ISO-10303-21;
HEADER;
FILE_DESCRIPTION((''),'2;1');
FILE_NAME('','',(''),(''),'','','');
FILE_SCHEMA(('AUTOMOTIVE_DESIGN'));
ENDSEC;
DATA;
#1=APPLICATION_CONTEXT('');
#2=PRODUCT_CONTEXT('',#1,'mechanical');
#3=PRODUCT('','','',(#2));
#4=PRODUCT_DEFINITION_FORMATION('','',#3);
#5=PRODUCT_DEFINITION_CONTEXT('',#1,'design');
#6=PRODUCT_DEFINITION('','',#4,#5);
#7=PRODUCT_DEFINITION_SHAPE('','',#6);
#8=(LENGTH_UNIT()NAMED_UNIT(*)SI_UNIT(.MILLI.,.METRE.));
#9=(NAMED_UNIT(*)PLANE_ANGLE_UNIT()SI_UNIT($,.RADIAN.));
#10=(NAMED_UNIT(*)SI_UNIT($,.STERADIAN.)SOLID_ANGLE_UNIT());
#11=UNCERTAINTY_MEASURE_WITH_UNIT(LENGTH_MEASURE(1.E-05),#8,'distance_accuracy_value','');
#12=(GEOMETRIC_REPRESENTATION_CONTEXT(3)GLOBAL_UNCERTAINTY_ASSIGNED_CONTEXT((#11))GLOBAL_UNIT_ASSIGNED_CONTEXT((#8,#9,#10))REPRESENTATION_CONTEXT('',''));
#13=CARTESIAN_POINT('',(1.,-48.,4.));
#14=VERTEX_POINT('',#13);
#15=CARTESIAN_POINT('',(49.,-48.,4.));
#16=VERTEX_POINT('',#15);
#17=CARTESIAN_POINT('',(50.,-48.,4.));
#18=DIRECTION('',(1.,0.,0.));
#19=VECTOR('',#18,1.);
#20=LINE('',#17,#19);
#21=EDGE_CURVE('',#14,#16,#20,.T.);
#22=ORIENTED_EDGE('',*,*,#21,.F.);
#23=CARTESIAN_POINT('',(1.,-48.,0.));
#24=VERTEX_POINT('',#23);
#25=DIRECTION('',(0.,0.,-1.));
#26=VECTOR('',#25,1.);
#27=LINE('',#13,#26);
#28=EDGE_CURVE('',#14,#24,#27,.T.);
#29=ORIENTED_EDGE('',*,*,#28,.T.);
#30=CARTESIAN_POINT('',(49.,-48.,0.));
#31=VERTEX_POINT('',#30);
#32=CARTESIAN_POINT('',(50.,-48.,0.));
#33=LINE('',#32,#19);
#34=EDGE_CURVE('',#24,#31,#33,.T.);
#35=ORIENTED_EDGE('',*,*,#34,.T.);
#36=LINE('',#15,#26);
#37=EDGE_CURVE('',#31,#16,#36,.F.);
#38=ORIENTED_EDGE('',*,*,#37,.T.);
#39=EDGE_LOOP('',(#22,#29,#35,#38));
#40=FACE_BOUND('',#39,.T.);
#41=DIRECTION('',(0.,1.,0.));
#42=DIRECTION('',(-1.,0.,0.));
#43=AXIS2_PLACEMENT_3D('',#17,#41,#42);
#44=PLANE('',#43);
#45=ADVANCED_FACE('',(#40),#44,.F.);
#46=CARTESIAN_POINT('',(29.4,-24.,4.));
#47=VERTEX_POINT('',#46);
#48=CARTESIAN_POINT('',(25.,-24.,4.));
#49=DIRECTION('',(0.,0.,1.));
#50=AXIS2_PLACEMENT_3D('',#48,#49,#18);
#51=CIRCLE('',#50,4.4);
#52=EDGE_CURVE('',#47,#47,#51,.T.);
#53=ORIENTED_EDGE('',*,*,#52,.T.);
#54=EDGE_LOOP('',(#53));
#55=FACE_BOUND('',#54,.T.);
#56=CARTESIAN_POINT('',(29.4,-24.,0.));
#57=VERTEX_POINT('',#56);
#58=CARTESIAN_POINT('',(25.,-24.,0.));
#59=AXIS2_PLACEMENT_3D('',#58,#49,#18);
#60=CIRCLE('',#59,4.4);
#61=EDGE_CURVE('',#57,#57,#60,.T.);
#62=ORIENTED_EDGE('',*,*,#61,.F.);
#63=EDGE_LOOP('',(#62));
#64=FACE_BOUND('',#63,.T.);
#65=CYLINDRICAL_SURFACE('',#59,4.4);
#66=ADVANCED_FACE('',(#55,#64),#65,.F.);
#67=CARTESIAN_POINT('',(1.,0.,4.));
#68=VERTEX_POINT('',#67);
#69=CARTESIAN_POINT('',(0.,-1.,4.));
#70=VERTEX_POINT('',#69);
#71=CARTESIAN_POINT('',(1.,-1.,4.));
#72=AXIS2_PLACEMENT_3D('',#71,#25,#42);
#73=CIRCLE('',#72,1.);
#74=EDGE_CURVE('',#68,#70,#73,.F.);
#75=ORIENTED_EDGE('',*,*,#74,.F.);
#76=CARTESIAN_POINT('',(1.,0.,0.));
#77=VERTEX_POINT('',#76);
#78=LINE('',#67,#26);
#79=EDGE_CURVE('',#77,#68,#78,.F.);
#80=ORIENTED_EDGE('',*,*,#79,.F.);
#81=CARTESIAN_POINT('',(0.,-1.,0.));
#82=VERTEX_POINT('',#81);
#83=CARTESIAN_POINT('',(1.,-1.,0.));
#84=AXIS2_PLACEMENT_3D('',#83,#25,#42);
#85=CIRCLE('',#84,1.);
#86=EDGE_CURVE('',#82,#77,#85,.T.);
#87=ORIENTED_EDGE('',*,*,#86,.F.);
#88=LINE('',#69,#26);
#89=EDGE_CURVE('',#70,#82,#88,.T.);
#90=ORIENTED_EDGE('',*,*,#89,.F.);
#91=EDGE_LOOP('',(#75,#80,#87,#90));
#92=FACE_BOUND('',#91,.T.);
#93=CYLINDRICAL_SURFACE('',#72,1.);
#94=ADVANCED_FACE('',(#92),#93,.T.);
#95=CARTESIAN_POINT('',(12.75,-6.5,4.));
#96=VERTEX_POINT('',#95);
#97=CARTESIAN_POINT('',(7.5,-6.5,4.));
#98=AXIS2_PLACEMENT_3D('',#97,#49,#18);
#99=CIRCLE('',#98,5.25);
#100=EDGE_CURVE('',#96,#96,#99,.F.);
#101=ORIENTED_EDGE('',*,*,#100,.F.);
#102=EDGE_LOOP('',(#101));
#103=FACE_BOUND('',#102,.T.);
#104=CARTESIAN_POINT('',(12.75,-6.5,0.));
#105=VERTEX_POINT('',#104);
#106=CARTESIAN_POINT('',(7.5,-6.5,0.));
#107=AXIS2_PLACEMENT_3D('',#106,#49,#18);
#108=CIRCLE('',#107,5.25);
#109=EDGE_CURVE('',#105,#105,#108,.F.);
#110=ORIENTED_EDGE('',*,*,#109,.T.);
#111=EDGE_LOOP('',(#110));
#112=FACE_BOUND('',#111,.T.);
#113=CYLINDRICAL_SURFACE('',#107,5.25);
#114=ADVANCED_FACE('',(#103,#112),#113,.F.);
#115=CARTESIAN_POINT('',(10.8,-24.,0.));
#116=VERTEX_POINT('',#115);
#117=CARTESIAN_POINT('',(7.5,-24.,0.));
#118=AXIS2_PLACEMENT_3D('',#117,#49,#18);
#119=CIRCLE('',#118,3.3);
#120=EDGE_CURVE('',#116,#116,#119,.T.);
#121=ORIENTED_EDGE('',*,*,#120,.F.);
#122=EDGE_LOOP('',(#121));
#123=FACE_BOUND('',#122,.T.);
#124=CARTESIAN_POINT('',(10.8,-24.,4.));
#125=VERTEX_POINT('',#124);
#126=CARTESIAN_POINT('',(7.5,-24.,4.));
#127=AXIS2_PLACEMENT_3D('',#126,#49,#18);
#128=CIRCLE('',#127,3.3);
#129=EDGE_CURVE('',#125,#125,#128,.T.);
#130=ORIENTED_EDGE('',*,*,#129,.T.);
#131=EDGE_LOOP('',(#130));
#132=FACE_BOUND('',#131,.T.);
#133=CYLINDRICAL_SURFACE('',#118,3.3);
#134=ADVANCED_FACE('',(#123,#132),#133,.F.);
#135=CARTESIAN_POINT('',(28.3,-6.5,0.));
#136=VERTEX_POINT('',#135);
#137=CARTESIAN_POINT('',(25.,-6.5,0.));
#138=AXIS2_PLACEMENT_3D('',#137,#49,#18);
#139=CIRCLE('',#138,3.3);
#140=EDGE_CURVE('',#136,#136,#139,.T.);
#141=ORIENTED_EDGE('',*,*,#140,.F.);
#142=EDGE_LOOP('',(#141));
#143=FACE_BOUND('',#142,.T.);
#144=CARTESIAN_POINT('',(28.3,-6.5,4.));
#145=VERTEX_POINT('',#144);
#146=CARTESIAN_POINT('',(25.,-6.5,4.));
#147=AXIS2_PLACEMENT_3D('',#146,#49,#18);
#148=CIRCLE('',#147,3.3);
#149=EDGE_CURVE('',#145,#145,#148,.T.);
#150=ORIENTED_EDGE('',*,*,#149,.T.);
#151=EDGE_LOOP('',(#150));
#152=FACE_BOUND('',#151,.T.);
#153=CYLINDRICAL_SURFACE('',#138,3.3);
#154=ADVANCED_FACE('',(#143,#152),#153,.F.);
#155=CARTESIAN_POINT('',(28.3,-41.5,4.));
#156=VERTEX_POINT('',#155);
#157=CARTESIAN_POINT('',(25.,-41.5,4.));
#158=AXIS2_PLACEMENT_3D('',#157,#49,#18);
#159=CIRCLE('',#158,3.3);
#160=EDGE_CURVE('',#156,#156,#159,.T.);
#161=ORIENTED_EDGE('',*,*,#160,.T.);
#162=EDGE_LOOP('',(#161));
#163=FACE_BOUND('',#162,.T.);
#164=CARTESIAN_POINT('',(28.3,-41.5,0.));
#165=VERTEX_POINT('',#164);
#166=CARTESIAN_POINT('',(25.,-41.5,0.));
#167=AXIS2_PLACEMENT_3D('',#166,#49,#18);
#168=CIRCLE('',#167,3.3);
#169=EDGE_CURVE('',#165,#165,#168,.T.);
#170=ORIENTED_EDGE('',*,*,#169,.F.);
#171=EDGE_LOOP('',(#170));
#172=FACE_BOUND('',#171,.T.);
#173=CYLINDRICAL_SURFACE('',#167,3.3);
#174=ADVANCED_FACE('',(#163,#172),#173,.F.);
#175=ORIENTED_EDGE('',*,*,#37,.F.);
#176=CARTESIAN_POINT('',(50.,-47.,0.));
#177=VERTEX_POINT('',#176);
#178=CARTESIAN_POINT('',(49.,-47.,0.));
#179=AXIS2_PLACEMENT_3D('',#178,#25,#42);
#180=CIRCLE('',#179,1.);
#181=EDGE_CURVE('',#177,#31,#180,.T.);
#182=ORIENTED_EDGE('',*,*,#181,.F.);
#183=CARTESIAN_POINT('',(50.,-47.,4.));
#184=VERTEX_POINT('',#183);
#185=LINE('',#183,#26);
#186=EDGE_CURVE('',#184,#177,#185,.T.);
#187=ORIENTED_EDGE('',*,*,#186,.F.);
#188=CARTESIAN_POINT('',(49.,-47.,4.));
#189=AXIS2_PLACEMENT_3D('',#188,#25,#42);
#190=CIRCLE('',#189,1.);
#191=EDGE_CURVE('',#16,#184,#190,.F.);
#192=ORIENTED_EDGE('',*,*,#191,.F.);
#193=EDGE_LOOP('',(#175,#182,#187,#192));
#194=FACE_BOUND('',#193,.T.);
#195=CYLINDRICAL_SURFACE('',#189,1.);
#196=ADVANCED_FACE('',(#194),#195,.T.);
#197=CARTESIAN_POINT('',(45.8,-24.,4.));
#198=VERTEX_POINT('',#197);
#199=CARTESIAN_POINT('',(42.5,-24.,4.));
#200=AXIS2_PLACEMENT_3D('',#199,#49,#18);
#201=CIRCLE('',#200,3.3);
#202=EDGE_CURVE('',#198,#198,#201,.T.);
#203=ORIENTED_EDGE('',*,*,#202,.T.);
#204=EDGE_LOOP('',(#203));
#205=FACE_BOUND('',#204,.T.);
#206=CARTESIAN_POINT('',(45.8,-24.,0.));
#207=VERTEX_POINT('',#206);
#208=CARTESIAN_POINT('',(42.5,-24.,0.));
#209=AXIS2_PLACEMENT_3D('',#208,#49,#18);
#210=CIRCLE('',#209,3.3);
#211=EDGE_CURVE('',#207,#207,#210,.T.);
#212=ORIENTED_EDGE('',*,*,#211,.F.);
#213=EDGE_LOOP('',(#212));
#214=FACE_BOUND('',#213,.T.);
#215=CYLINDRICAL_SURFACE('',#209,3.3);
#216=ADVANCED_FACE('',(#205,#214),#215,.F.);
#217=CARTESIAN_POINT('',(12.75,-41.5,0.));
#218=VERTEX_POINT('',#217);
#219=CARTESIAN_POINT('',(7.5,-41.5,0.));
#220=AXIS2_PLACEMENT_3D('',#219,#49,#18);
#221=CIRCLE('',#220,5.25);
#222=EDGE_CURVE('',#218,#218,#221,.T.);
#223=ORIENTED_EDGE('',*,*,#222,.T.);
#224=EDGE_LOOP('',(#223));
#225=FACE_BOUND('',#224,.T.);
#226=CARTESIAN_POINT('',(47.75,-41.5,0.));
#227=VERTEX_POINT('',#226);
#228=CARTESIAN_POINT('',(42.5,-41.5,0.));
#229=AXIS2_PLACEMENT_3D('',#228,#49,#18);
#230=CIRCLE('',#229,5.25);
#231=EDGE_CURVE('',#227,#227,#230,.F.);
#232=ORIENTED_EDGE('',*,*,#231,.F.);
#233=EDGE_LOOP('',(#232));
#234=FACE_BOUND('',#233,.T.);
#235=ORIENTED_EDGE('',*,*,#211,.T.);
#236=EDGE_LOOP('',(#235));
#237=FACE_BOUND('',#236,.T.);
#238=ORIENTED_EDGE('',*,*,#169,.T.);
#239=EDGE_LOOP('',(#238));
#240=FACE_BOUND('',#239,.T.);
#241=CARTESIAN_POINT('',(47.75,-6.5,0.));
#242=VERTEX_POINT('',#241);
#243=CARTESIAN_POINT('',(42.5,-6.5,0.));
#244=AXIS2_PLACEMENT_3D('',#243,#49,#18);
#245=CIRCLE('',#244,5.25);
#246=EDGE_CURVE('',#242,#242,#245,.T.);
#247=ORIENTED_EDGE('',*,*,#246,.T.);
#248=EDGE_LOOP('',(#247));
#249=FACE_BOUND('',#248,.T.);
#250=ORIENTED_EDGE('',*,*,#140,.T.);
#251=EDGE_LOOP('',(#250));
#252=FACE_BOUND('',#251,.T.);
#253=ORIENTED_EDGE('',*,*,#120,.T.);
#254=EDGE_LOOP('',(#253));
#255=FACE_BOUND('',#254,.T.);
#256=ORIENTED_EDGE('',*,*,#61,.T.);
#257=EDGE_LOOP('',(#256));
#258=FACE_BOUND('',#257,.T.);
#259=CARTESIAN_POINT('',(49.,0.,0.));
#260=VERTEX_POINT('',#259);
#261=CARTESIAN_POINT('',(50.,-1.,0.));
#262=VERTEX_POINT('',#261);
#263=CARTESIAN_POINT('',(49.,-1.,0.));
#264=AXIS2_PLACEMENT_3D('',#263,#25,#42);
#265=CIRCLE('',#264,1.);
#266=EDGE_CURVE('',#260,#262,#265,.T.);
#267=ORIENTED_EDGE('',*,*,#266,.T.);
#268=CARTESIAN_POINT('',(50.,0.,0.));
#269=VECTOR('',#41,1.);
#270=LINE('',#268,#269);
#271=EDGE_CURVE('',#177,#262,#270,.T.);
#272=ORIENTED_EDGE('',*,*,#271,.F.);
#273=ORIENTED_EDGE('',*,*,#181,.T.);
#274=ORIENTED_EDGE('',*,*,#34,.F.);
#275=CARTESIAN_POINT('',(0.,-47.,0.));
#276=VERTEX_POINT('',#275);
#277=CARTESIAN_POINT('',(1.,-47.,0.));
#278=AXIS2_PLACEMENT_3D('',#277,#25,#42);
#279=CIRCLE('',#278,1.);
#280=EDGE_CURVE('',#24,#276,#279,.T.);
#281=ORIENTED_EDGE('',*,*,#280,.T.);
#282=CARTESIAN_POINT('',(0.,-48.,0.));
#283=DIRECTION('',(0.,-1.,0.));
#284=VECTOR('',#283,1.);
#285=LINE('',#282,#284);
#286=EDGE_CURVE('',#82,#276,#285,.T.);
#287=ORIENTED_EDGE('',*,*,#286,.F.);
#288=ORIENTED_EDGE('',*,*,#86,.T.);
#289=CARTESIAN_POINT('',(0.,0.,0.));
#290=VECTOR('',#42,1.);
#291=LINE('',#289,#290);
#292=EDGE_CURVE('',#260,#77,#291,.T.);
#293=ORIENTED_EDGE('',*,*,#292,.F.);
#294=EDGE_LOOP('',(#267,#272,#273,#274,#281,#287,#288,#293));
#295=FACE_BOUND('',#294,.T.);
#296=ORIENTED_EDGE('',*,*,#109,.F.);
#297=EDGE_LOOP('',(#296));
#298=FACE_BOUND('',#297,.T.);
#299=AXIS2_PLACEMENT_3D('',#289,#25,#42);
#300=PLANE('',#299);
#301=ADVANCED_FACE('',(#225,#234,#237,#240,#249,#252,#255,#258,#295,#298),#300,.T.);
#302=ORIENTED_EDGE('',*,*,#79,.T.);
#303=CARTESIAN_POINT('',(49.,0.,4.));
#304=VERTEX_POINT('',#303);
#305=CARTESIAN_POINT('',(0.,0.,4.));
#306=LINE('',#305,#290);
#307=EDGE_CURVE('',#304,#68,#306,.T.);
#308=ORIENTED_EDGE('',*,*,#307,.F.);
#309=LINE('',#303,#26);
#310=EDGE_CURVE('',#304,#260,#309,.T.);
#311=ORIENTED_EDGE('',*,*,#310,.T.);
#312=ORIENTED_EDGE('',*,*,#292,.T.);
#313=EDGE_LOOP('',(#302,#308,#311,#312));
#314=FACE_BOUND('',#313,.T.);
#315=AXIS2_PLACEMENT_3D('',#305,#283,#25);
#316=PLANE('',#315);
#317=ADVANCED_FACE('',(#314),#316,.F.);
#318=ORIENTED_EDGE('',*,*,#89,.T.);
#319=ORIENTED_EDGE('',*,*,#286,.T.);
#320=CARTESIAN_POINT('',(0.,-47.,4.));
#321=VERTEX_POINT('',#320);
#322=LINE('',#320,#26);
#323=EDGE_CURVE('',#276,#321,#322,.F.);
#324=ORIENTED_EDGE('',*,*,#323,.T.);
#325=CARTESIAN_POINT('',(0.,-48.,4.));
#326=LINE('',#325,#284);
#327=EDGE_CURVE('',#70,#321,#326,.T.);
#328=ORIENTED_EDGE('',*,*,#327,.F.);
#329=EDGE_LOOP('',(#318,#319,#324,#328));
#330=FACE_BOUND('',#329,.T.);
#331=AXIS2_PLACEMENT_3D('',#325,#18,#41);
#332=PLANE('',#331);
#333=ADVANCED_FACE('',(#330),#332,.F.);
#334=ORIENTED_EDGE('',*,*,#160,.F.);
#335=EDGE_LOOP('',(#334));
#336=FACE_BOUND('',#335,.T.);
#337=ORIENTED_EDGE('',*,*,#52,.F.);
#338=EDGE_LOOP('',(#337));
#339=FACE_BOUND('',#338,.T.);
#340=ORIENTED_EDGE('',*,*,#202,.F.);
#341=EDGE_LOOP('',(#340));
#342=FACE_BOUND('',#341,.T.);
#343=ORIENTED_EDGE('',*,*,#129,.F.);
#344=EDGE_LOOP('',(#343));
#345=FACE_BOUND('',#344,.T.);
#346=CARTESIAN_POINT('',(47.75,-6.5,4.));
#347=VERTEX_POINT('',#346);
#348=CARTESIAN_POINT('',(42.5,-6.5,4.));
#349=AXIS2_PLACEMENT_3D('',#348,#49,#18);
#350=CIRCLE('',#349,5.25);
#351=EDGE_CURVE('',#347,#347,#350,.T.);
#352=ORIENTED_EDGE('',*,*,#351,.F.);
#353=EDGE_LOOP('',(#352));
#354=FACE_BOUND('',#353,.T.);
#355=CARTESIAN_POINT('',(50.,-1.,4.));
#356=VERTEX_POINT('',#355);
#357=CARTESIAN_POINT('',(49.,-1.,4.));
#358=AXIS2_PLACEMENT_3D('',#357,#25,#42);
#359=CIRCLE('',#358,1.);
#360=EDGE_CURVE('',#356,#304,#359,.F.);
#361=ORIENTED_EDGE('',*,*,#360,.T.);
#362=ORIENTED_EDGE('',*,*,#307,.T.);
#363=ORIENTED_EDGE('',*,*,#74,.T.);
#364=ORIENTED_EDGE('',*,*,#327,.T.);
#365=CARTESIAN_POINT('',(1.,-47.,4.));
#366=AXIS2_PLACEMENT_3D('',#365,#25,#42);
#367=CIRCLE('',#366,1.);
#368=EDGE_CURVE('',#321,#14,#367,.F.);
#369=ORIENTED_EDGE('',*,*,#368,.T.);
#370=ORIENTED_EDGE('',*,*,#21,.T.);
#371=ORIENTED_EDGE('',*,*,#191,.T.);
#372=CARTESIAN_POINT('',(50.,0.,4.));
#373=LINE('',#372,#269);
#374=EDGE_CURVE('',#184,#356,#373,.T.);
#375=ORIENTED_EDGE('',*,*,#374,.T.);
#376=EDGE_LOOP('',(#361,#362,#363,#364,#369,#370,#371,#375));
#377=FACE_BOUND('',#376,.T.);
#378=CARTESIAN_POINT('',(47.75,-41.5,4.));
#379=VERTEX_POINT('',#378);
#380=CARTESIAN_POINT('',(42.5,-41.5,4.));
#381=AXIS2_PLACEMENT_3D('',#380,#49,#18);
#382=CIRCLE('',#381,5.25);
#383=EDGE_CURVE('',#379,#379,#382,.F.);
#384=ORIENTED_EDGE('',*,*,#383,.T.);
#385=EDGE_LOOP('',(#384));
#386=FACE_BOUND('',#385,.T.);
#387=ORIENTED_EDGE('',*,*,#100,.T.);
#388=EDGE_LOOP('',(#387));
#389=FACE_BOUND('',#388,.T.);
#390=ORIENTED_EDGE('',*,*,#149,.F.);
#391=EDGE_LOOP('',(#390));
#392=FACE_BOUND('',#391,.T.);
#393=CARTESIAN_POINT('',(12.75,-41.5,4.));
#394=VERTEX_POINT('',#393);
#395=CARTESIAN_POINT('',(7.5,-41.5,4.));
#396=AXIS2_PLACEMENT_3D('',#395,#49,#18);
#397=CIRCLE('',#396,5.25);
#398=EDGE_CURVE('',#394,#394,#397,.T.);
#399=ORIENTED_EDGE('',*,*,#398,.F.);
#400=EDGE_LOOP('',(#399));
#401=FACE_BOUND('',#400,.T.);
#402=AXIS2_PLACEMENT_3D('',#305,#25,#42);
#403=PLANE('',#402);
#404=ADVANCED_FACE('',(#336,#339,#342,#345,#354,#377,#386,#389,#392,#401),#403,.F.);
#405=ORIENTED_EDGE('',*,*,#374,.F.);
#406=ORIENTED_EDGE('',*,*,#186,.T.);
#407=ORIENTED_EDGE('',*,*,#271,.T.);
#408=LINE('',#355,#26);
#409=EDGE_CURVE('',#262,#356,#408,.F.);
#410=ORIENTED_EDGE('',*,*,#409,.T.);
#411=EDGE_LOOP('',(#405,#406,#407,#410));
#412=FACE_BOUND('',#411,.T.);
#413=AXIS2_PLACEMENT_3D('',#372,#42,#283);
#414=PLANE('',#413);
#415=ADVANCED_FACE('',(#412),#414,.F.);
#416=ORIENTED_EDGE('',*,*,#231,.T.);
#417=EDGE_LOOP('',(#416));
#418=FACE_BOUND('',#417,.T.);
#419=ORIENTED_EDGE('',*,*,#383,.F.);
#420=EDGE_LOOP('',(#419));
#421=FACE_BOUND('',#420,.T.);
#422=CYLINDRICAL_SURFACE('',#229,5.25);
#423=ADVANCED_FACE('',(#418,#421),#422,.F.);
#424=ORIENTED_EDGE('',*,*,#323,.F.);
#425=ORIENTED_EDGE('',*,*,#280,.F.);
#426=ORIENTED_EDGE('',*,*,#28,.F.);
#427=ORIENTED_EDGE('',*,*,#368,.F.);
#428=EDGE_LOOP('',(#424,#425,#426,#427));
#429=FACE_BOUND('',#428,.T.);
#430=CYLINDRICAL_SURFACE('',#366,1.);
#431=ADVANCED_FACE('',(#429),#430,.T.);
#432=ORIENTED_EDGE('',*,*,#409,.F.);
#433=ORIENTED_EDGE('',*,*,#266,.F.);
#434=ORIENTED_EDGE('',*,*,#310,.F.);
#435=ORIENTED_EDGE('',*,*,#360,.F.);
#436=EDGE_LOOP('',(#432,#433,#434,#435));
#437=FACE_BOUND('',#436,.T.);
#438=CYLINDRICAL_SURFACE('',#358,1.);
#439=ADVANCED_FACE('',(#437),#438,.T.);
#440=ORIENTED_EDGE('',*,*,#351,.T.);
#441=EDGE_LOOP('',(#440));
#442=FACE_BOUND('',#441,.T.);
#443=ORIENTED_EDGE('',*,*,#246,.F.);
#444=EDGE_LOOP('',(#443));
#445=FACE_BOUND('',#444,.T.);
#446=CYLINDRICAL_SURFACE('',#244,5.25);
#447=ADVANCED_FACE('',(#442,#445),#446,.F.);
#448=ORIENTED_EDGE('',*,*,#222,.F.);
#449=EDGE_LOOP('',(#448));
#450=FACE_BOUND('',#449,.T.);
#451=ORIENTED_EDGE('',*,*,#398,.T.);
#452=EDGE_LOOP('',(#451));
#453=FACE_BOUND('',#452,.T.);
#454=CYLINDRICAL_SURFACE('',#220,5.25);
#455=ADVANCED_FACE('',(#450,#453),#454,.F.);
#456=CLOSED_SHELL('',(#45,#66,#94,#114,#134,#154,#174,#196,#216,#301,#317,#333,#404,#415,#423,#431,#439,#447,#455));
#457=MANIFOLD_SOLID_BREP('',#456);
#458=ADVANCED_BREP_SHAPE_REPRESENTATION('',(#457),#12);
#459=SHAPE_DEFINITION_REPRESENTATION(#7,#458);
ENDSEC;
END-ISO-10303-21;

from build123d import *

# Parameters (mm, degrees)
SKETCH_1_W          = 50
SKETCH_1_H          = 48
EXTRUDE_1_DEPTH     = 4
FILLET_1_R          = 1
SKETCH_2_R          = 5.25
CUT_EXTRUDE_1_DEPTH = 70.426219831
CUT_EXTRUDE_2_DEPTH = 70.426219831


with BuildPart() as part:
    # 草图1 → 凸台-拉伸1 (new body)
    with BuildSketch(Plane.XY):
        with Locations((25, -24)):
            Rectangle(SKETCH_1_W, SKETCH_1_H)
    extrude(amount=EXTRUDE_1_DEPTH)

    # 圆角1
    fillet_1_edges = [part.edges().sort_by_distance(p)[0] for p in [
        (0, 0, 2),
        (50, 0, 2),
        (50, -48, 2),
        (0, -48, 2),
    ]]
    fillet(fillet_1_edges, radius=FILLET_1_R)

    # 草图2 → 切除-拉伸1 (cut, through all)
    with BuildSketch(Plane.XY.offset(4)):
        with Locations((7.5, -6.5)):
            Circle(SKETCH_2_R)
        with Locations((42.5, -6.5)):
            Circle(SKETCH_2_R)
        with Locations((42.5, -41.5)):
            Circle(SKETCH_2_R)
        with Locations((7.5, -41.5)):
            Circle(SKETCH_2_R)
        with BuildLine():
            Line((25, -24), (29.4, -24))
            ThreePointArc((29.4, -24), (28.111269837, -20.888730163), (25, -19.6))
            Line((25, -19.6), (25, -24))
        make_face()
        with BuildLine():
            Line((20.6, -24), (25, -24))
            Line((25, -24), (25, -19.6))
            ThreePointArc((25, -19.6), (21.888730163, -20.888730163), (20.6, -24))
        make_face()
        with BuildLine():
            ThreePointArc((25, -28.4), (28.111269837, -27.111269837), (29.4, -24))
            Line((29.4, -24), (25, -24))
            Line((25, -24), (25, -28.4))
        make_face()
        with BuildLine():
            Line((25, -28.4), (25, -24))
            Line((25, -24), (20.6, -24))
            ThreePointArc((20.6, -24), (21.888730163, -27.111269837), (25, -28.4))
        make_face()
    extrude(amount=-CUT_EXTRUDE_1_DEPTH, mode=Mode.SUBTRACT)

    # 草图9 → 切除-拉伸2 (cut, through all)
    with BuildSketch(Plane.XY.offset(4)):
        with BuildLine():
            ThreePointArc((4.2, -24), (7.5, -27.3), (10.8, -24))
            Line((10.8, -24), (4.2, -24))
        make_face()
        with BuildLine():
            Line((4.2, -24), (10.8, -24))
            ThreePointArc((10.8, -24), (7.5, -20.7), (4.2, -24))
        make_face()
        with BuildLine():
            ThreePointArc((39.2, -24), (42.5, -27.3), (45.8, -24))
            Line((45.8, -24), (39.2, -24))
        make_face()
        with BuildLine():
            Line((39.2, -24), (45.8, -24))
            ThreePointArc((45.8, -24), (42.5, -20.7), (39.2, -24))
        make_face()
        with BuildLine():
            ThreePointArc((25, -3.2), (21.7, -6.5), (25, -9.8))
            Line((25, -9.8), (25, -3.2))
        make_face()
        with BuildLine():
            Line((25, -3.2), (25, -9.8))
            ThreePointArc((25, -9.8), (27.333452378, -8.833452378), (28.3, -6.5))
            ThreePointArc((28.3, -6.5), (27.333452378, -4.166547622), (25, -3.2))
        make_face()
        with BuildLine():
            ThreePointArc((28.3, -41.5), (27.333452378, -39.166547622), (25, -38.2))
            Line((25, -38.2), (25, -44.8))
            ThreePointArc((25, -44.8), (27.333452378, -43.833452378), (28.3, -41.5))
        make_face()
        with BuildLine():
            Line((25, -44.8), (25, -38.2))
            ThreePointArc((25, -38.2), (21.7, -41.5), (25, -44.8))
        make_face()
    extrude(amount=-CUT_EXTRUDE_2_DEPTH, mode=Mode.SUBTRACT)


solid = part.part
